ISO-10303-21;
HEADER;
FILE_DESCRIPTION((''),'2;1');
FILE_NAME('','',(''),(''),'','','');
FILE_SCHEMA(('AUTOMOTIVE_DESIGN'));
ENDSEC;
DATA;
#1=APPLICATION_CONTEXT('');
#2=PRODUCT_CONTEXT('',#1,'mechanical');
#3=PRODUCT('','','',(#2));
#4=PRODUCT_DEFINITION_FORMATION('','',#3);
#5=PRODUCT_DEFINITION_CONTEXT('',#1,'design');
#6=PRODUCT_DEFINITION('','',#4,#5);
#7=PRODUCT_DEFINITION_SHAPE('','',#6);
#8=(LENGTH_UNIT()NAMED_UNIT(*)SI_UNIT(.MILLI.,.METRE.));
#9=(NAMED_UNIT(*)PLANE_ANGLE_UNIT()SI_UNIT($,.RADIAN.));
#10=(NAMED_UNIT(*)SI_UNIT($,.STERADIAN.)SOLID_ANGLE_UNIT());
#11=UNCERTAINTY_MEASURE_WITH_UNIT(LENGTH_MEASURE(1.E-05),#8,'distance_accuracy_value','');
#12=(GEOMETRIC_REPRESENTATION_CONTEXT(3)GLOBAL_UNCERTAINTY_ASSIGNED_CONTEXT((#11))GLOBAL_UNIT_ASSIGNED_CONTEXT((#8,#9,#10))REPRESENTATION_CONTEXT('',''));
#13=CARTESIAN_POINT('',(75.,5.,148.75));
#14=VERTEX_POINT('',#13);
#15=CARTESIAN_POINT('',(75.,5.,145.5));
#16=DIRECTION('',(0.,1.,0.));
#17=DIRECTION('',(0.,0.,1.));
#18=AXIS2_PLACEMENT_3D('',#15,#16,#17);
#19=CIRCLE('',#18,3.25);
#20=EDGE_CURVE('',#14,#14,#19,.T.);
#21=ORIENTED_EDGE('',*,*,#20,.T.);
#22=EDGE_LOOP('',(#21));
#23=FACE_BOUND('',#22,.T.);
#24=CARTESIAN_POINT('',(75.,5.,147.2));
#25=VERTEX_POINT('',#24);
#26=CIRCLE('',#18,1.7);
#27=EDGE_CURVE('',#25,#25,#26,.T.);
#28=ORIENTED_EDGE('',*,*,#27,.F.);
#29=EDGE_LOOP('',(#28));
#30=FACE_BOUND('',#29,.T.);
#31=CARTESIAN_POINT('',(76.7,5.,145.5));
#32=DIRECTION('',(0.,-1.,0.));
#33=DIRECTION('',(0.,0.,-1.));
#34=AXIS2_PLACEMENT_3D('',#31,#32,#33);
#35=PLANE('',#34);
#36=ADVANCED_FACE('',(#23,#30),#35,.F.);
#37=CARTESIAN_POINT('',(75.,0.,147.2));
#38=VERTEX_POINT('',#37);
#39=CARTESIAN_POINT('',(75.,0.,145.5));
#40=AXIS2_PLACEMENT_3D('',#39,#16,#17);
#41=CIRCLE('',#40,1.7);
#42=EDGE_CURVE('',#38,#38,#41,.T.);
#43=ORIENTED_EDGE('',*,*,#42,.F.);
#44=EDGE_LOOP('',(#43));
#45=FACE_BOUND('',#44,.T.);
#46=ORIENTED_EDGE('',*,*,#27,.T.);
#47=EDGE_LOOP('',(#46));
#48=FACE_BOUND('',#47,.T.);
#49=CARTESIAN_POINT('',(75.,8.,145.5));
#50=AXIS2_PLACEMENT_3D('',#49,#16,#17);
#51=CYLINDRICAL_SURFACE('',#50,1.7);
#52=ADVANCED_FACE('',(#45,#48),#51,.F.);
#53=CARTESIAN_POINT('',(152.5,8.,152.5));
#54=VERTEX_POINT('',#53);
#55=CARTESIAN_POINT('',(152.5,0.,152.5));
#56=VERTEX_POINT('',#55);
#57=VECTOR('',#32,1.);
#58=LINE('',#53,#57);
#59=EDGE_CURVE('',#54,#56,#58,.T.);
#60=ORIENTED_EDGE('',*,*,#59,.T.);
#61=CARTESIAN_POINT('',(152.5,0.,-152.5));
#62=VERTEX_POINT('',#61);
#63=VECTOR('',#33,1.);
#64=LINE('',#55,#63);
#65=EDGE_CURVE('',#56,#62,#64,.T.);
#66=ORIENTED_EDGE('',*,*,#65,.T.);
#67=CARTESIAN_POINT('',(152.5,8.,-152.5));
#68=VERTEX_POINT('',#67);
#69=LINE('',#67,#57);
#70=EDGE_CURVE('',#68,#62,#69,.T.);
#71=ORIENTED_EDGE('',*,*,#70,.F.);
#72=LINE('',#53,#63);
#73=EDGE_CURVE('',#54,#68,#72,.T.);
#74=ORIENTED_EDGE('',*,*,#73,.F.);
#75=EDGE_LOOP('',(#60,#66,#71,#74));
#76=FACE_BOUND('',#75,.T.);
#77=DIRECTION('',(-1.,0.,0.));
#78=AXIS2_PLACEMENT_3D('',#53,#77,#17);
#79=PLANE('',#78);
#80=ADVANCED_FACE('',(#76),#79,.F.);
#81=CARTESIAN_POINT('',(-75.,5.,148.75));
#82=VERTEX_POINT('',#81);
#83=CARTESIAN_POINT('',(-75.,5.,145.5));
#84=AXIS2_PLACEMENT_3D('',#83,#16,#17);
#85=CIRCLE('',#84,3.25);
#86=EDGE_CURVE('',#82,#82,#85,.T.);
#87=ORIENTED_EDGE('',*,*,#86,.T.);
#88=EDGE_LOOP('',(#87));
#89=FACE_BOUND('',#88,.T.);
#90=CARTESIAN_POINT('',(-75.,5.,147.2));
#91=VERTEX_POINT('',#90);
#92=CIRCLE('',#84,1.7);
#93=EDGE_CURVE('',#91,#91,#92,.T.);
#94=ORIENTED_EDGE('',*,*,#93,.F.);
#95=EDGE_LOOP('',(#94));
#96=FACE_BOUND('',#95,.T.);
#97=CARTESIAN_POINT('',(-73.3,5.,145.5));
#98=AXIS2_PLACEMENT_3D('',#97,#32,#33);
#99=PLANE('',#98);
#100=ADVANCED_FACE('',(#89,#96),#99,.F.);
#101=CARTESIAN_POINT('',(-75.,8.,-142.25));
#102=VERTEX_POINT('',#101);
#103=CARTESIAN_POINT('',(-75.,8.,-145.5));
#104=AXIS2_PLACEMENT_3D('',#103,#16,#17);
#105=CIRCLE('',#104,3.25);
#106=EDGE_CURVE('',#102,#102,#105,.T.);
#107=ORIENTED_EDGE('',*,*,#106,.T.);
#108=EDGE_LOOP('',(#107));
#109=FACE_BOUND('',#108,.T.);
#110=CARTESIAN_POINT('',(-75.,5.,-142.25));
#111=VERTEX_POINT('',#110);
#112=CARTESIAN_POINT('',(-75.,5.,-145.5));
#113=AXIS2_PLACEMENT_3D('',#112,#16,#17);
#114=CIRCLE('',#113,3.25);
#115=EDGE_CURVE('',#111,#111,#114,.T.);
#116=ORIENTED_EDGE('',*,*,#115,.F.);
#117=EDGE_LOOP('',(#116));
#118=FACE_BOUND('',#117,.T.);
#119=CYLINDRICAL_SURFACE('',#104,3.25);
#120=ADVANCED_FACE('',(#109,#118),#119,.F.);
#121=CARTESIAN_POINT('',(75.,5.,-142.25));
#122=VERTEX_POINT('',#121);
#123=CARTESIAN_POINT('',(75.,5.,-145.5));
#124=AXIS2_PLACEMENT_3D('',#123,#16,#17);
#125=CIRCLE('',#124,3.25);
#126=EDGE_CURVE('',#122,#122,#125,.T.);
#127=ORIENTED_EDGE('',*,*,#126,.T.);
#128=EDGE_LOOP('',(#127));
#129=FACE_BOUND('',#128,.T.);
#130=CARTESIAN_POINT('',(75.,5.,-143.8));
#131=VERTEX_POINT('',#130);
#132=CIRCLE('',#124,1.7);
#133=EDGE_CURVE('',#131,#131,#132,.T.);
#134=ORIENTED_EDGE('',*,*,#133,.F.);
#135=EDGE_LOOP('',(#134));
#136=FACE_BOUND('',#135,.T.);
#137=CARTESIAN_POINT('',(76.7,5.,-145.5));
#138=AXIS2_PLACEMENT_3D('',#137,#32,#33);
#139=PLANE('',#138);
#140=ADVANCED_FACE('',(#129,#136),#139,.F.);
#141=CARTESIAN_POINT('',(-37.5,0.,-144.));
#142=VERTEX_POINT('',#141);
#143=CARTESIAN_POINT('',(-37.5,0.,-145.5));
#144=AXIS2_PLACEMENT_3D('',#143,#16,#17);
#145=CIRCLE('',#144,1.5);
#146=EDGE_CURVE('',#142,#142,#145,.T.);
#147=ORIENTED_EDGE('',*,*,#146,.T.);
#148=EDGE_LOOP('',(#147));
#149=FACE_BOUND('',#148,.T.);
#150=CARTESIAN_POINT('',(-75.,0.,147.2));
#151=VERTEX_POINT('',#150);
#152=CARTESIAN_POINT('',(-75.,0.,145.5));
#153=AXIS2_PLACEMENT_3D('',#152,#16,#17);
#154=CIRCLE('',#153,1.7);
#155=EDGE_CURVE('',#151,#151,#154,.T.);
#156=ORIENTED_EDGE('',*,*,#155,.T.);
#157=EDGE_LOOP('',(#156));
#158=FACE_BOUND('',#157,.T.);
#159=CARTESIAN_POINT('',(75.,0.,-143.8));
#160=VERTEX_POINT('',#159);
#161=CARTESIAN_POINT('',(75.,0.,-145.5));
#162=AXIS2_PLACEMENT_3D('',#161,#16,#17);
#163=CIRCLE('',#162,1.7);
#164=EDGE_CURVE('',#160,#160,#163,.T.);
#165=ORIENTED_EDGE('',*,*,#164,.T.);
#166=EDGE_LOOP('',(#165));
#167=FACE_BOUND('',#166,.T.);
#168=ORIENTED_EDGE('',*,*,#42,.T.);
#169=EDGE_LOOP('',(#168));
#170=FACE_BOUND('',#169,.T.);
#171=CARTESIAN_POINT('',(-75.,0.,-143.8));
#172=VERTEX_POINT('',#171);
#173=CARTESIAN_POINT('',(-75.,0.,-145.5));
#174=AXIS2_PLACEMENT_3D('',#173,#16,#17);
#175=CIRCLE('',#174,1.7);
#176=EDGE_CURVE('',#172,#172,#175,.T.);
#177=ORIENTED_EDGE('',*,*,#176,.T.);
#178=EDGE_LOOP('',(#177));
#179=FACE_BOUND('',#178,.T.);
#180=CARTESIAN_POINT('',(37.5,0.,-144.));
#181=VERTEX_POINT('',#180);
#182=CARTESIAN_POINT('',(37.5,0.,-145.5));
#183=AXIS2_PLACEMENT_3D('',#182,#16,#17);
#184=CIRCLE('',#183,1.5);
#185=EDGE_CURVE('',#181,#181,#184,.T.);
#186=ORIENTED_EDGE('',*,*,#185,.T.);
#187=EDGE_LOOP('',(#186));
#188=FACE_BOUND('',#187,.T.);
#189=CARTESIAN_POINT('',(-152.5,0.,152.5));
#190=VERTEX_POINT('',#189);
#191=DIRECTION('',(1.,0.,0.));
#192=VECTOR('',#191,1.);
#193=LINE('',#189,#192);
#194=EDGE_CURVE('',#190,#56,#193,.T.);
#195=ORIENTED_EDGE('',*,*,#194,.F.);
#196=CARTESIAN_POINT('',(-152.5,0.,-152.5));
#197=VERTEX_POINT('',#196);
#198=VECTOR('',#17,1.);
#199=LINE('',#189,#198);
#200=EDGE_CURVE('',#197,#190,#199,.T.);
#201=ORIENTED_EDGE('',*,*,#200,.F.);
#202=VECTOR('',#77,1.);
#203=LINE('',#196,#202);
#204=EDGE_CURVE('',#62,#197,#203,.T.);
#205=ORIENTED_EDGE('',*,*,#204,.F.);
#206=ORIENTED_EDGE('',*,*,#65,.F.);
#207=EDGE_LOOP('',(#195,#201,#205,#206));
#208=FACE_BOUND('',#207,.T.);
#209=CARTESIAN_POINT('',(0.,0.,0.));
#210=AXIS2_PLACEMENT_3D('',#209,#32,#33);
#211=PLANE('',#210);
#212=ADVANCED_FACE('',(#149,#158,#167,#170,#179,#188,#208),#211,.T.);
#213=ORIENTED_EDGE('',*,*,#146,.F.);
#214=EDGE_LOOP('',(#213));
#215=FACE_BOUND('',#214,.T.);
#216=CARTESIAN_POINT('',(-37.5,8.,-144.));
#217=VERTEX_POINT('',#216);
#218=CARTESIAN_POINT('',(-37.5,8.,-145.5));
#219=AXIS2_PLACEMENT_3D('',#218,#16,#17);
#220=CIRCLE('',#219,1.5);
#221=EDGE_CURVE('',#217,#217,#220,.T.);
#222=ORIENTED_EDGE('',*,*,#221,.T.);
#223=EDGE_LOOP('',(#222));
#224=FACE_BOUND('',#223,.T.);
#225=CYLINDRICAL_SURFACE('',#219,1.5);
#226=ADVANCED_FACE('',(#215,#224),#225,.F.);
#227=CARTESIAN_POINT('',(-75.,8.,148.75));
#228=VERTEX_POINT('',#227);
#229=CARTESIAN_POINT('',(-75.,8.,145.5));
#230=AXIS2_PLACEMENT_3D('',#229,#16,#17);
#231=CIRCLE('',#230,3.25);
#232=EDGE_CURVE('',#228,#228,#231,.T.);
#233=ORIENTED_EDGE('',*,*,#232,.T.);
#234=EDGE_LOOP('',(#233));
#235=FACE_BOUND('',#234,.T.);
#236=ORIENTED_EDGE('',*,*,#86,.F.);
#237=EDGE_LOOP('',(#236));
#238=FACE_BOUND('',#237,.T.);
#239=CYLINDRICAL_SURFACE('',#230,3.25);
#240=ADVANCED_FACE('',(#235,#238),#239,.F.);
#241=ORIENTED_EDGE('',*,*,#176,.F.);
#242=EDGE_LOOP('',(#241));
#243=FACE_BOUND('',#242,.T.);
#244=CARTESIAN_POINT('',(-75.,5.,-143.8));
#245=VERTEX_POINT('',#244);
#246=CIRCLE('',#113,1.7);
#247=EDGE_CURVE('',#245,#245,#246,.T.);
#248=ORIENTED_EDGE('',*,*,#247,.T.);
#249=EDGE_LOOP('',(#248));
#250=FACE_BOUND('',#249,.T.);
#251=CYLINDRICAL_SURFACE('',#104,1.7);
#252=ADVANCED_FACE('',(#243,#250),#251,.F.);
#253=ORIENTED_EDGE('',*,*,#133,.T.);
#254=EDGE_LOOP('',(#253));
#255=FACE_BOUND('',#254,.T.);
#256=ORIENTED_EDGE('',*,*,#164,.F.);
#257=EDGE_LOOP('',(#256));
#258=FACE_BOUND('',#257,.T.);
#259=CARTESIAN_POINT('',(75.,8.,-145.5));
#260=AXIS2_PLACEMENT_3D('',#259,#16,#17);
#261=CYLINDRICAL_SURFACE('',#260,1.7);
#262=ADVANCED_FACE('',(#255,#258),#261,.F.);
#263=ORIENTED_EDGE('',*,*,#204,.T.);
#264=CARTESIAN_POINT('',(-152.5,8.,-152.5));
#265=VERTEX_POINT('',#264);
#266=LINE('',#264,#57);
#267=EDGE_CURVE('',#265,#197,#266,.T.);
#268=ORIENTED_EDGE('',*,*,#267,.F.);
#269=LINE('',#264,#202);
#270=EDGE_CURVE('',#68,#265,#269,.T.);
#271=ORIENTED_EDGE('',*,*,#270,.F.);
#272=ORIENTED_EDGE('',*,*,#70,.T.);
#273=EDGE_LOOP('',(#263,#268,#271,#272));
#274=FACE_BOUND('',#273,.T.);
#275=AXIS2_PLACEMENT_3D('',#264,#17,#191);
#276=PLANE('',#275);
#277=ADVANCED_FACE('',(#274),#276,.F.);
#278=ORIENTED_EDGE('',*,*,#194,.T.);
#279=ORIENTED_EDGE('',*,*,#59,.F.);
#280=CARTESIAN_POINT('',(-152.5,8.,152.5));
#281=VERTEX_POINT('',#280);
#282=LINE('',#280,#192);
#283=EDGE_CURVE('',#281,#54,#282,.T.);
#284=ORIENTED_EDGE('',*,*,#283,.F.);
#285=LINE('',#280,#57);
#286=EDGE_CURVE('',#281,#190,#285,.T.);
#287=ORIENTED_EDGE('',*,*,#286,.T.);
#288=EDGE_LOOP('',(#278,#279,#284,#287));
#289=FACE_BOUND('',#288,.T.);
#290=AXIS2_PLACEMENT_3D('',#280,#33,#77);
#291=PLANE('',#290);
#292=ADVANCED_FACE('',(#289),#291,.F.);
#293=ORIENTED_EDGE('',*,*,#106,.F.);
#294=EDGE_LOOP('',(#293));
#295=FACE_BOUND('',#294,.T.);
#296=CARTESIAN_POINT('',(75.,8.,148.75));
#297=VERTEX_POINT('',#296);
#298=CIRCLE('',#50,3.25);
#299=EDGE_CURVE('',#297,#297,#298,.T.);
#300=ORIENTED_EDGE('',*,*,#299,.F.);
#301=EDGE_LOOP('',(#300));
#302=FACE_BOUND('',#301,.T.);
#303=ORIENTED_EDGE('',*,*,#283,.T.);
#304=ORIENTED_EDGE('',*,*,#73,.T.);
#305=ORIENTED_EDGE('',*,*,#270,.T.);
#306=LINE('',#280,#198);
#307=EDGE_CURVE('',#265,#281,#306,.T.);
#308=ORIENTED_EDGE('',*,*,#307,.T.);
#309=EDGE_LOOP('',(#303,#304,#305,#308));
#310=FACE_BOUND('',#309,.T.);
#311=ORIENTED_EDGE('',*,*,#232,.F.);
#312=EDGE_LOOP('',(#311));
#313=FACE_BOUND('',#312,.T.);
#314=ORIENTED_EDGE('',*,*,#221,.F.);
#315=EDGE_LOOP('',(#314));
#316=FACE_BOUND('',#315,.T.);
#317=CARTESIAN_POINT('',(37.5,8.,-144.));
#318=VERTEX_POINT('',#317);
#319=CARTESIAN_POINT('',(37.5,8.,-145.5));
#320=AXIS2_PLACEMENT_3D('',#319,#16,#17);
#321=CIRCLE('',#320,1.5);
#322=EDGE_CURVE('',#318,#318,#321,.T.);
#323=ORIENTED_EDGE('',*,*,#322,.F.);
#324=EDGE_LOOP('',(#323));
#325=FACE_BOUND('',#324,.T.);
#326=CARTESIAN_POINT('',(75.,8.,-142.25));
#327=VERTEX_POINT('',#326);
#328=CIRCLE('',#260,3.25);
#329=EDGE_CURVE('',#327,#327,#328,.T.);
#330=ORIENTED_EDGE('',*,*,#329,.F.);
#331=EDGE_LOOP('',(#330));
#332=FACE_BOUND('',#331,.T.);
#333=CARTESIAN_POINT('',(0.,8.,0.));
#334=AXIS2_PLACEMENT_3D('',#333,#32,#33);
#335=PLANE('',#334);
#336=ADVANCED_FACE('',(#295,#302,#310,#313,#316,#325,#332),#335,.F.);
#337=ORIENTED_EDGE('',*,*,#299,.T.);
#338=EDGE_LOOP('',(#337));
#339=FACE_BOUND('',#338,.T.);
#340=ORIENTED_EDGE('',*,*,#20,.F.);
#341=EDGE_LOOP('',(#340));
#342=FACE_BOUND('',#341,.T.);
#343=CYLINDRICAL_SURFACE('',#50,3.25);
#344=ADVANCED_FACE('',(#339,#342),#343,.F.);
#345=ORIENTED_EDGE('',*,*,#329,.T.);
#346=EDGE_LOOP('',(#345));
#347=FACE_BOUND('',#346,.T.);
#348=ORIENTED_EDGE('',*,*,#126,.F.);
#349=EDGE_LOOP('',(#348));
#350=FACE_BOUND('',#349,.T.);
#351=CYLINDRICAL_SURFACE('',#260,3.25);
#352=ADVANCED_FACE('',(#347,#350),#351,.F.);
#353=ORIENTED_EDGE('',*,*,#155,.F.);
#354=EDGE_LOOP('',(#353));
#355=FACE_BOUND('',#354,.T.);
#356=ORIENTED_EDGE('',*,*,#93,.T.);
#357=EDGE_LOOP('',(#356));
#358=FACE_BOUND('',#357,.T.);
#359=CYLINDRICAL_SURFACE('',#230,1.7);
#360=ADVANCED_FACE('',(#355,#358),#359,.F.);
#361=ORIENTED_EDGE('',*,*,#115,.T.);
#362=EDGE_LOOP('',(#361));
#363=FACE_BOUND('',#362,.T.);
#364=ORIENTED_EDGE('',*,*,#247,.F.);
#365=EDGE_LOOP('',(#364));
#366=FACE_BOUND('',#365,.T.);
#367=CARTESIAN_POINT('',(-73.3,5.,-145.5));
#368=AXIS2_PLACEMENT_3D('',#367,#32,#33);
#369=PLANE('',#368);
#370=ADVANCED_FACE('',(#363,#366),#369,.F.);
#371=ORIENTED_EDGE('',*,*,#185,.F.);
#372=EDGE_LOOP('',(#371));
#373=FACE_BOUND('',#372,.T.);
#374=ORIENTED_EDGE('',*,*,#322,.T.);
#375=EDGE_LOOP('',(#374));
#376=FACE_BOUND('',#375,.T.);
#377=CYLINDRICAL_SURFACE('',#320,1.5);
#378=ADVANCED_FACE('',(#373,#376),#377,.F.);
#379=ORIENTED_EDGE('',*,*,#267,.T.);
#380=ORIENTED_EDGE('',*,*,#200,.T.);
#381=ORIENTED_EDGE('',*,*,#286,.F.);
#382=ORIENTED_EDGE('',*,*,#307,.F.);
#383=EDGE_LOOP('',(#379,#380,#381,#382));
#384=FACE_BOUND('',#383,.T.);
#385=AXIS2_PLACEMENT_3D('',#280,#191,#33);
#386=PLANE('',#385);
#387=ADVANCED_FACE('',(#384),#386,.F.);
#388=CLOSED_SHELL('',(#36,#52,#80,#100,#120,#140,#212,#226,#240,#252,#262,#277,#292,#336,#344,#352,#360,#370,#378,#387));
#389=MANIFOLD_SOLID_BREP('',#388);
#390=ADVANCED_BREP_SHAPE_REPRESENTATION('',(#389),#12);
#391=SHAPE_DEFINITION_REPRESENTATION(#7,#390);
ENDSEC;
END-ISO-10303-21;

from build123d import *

# Parameters (mm, degrees)
SKETCH_1_W                     = 305
SKETCH_1_H                     = 305
EXTRUDE_1_DEPTH                = 8
HOLE_WIZARD_M1_6_1_D           = 3.4
HOLE_WIZARD_M1_6_1_CBORE_D     = 6.5
HOLE_WIZARD_M1_6_1_CBORE_DEPTH = 3
HOLE_WIZARD_M3_1_D             = 3


with BuildPart() as part:
    # 草图1 → 凸台-拉伸1 (new body)
    with BuildSketch(Plane(origin=(0, 0, 0), x_dir=(1, 0, 0), z_dir=(0, 1, 0))):
        Rectangle(SKETCH_1_W, SKETCH_1_H)
    extrude(amount=EXTRUDE_1_DEPTH)

    # M1.6 六角头螺栓的柱形沉头孔1 (through all)
    with Locations(Plane(origin=(0, 8, 0), x_dir=(1, 0, 0), z_dir=(0, 1, 0))):
        with Locations((-75, 145.5), (75, 145.5), (75, -145.5), (-75, -145.5)):
            CounterBoreHole(HOLE_WIZARD_M1_6_1_D / 2, HOLE_WIZARD_M1_6_1_CBORE_D / 2, HOLE_WIZARD_M1_6_1_CBORE_DEPTH)

    # M3 螺纹孔1 (through all)
    with Locations(Plane(origin=(-37.5, 8, -145.5), x_dir=(0, 0, 1), z_dir=(0, 1, 0))):
        with Locations((0, 0), (0, 75)):
            Hole(HOLE_WIZARD_M3_1_D / 2)


solid = part.part
